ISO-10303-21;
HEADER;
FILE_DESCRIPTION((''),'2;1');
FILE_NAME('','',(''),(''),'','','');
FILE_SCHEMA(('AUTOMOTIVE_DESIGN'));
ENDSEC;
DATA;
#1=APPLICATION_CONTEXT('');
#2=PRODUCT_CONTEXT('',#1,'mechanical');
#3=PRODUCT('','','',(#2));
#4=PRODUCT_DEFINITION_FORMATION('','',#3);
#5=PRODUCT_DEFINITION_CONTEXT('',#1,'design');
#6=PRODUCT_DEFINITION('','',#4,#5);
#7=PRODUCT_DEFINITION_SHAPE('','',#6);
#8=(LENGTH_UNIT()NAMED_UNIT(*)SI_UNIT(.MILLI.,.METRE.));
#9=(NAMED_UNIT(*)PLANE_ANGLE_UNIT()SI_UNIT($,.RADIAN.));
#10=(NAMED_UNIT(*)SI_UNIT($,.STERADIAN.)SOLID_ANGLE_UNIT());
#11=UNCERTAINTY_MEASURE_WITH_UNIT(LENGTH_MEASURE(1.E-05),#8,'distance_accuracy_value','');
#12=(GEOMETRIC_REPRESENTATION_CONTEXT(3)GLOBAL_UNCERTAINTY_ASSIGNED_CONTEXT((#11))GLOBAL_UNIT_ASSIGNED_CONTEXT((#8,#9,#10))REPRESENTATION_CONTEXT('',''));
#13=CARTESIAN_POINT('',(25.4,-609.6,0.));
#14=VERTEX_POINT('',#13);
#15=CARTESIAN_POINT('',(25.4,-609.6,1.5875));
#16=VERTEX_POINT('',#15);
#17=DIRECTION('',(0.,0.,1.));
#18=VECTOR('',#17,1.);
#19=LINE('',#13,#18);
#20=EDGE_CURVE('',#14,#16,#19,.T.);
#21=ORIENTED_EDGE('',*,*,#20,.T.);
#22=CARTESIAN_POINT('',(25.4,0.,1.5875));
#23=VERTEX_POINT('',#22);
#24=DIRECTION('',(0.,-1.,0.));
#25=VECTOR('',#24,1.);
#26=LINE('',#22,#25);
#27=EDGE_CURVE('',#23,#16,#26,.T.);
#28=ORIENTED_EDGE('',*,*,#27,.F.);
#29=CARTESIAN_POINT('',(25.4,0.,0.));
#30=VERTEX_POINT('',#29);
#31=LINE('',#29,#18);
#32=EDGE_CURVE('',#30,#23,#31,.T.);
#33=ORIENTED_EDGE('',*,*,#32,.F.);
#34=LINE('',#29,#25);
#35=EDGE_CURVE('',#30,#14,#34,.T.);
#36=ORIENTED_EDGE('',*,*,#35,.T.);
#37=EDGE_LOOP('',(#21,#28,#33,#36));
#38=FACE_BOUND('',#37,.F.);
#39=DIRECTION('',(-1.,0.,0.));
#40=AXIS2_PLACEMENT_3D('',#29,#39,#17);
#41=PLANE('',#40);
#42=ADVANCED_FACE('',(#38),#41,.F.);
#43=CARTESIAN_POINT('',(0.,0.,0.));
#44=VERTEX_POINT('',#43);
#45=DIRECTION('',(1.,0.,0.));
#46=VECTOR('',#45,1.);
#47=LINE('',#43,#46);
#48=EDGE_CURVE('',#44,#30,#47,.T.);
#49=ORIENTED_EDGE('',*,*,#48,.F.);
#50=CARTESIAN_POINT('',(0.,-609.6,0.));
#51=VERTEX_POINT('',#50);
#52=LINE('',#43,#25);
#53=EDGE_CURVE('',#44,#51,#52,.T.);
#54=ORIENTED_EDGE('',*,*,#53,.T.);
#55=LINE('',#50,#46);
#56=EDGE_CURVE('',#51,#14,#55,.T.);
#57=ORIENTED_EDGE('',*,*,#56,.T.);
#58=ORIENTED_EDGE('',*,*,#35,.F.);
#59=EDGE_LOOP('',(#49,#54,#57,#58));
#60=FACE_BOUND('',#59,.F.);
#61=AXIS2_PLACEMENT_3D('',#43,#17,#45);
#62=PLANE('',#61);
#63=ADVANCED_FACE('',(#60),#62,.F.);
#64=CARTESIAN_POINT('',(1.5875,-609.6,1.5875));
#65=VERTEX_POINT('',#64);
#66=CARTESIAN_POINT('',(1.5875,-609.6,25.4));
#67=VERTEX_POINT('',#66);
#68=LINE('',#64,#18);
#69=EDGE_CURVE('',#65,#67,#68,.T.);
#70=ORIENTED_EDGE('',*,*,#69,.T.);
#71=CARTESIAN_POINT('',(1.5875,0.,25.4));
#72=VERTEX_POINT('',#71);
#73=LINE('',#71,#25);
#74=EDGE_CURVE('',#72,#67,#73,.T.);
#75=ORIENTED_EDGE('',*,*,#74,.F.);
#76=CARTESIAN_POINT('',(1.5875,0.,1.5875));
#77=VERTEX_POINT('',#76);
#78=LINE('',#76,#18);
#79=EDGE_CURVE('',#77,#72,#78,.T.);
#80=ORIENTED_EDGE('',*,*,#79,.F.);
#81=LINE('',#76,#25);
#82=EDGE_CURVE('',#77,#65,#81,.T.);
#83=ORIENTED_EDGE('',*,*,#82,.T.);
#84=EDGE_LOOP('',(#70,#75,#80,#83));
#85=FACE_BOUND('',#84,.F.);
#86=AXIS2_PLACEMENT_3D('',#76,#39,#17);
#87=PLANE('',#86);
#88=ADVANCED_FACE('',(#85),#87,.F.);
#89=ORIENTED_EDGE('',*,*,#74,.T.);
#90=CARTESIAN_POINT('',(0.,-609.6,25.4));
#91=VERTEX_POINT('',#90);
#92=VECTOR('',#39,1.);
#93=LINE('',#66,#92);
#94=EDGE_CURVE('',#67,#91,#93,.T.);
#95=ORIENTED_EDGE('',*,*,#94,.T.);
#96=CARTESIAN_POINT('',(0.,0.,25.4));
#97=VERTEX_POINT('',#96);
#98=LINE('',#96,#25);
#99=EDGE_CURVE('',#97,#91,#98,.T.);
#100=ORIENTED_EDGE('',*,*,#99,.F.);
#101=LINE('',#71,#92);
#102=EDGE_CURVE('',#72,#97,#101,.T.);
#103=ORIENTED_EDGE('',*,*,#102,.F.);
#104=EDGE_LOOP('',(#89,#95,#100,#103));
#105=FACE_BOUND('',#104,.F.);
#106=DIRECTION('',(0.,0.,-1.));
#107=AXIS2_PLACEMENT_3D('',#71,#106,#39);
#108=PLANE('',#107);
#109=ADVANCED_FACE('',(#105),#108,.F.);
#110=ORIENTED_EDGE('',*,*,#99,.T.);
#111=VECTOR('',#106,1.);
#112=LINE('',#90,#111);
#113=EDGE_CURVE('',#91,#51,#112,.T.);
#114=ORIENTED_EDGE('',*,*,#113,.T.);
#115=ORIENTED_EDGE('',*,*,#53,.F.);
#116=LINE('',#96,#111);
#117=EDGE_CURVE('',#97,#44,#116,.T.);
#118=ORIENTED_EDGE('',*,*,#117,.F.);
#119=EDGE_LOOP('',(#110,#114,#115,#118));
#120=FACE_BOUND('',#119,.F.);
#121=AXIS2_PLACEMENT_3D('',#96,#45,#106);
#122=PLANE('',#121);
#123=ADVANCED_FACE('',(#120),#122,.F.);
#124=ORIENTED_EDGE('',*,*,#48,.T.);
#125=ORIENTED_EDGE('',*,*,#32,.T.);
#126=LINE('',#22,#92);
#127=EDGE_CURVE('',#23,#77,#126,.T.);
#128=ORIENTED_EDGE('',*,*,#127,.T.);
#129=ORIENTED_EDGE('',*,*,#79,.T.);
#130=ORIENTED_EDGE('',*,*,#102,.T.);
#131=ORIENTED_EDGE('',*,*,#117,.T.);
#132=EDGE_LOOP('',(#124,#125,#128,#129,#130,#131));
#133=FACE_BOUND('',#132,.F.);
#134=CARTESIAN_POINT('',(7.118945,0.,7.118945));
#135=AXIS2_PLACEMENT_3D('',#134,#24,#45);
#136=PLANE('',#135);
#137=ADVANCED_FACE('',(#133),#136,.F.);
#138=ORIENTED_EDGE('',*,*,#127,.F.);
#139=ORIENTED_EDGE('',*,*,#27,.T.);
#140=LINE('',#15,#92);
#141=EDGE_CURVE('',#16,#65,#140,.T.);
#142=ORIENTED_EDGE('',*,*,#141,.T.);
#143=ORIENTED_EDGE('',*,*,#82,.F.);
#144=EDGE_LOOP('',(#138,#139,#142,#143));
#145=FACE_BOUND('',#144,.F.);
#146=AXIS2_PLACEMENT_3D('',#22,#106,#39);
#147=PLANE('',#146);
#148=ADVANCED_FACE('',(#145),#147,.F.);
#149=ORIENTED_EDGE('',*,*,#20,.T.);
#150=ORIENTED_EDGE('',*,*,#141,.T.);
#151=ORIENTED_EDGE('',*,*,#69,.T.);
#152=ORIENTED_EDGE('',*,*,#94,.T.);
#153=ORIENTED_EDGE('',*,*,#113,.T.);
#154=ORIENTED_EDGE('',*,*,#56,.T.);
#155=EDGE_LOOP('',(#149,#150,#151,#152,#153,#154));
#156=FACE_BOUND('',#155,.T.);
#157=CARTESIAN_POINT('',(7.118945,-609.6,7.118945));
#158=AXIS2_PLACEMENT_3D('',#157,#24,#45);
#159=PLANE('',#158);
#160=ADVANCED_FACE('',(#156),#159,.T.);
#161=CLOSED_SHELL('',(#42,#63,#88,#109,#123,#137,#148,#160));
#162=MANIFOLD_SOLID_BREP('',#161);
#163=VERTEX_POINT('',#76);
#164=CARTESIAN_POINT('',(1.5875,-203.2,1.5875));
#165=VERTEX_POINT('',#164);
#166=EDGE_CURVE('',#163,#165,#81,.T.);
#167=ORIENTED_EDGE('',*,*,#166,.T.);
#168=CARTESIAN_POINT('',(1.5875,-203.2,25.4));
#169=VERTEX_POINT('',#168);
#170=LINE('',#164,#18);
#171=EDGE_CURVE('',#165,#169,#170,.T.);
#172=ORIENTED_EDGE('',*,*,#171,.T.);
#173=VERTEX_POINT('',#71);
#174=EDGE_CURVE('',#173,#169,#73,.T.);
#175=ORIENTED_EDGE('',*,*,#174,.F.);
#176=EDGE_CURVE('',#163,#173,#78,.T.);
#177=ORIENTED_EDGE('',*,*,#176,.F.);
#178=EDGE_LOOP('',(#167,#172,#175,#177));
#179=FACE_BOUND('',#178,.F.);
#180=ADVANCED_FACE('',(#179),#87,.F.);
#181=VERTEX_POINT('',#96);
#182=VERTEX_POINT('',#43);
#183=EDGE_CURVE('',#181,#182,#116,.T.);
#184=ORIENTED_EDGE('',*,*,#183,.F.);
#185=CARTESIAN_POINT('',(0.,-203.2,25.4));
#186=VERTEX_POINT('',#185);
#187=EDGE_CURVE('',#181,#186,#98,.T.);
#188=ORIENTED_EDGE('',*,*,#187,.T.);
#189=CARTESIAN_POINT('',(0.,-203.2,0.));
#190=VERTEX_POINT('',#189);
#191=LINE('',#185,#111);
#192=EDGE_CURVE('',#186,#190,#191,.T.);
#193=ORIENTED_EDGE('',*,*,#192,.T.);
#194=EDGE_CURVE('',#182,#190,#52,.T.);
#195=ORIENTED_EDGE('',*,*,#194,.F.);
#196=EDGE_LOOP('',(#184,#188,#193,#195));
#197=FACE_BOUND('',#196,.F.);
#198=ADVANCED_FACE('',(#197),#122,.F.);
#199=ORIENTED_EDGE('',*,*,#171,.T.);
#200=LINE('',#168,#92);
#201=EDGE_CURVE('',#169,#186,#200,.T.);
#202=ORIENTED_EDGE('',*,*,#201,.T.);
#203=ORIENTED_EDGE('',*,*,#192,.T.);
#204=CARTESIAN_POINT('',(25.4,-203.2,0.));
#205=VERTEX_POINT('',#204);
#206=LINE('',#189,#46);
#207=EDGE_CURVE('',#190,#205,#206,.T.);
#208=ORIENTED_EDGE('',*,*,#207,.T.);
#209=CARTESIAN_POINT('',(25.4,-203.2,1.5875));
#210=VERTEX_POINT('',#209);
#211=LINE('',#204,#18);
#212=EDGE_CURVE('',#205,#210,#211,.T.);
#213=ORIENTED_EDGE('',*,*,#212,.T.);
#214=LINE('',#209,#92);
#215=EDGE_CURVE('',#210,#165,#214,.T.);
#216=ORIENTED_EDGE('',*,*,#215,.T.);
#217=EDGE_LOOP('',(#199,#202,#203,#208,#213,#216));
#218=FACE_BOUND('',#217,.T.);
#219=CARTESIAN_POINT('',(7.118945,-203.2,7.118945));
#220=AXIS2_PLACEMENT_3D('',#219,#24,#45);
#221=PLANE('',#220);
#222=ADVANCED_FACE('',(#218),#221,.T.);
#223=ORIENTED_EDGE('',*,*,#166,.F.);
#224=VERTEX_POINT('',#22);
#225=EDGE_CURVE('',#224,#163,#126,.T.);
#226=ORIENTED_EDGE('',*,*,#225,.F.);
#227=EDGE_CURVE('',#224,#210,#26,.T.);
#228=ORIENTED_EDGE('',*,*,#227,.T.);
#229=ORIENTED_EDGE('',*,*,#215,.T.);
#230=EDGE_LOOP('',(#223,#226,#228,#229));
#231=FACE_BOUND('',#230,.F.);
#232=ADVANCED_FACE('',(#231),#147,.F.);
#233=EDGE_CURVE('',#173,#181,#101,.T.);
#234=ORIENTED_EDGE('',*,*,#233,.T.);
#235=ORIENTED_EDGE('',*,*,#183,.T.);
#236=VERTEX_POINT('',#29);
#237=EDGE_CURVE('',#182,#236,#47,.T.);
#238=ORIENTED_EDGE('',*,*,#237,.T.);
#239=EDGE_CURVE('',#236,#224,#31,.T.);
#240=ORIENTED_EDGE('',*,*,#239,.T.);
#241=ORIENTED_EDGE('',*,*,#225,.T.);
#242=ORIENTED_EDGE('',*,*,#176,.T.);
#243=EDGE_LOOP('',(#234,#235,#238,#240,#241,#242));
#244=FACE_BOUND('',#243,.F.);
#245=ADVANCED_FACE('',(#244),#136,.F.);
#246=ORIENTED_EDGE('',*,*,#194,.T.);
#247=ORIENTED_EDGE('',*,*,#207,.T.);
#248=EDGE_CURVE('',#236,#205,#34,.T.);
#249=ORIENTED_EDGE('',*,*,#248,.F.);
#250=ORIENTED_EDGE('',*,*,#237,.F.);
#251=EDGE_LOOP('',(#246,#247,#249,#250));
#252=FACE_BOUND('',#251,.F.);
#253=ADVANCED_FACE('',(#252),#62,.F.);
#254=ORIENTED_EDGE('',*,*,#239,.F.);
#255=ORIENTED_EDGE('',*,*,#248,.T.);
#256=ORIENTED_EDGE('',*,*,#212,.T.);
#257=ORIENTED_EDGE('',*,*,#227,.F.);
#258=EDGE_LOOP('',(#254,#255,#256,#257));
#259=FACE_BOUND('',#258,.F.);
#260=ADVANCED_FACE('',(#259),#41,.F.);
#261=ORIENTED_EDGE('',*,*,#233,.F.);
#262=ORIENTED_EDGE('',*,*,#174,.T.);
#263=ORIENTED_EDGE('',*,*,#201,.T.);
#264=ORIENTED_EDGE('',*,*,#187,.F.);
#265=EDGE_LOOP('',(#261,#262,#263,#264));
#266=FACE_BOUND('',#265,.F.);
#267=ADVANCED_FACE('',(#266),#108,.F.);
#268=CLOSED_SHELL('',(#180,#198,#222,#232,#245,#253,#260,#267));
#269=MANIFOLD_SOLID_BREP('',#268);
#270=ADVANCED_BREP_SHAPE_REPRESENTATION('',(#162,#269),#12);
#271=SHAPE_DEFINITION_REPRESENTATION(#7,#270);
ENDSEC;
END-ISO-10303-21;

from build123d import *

# Parameters (mm, degrees)
F1_DEPTH = 203.2
F2_DEPTH = 609.6


with BuildPart() as f1:
    # F0 (on Front) → F1 (new body)
    with BuildSketch(Plane.XZ):
        Polygon((0, 25.4), (0, 0), (25.4, 0), (25.4, 1.5875), (1.5875, 1.5875), (1.5875, 25.4), align=None)
    extrude(amount=F1_DEPTH)


with BuildPart() as f2:
    # F0 (on Front) → F2 (new body)
    with BuildSketch(Plane.XZ):
        Polygon((0, 25.4), (0, 0), (25.4, 0), (25.4, 1.5875), (1.5875, 1.5875), (1.5875, 25.4), align=None)
    extrude(amount=F2_DEPTH)


solid = Compound([f1.part, f2.part])
